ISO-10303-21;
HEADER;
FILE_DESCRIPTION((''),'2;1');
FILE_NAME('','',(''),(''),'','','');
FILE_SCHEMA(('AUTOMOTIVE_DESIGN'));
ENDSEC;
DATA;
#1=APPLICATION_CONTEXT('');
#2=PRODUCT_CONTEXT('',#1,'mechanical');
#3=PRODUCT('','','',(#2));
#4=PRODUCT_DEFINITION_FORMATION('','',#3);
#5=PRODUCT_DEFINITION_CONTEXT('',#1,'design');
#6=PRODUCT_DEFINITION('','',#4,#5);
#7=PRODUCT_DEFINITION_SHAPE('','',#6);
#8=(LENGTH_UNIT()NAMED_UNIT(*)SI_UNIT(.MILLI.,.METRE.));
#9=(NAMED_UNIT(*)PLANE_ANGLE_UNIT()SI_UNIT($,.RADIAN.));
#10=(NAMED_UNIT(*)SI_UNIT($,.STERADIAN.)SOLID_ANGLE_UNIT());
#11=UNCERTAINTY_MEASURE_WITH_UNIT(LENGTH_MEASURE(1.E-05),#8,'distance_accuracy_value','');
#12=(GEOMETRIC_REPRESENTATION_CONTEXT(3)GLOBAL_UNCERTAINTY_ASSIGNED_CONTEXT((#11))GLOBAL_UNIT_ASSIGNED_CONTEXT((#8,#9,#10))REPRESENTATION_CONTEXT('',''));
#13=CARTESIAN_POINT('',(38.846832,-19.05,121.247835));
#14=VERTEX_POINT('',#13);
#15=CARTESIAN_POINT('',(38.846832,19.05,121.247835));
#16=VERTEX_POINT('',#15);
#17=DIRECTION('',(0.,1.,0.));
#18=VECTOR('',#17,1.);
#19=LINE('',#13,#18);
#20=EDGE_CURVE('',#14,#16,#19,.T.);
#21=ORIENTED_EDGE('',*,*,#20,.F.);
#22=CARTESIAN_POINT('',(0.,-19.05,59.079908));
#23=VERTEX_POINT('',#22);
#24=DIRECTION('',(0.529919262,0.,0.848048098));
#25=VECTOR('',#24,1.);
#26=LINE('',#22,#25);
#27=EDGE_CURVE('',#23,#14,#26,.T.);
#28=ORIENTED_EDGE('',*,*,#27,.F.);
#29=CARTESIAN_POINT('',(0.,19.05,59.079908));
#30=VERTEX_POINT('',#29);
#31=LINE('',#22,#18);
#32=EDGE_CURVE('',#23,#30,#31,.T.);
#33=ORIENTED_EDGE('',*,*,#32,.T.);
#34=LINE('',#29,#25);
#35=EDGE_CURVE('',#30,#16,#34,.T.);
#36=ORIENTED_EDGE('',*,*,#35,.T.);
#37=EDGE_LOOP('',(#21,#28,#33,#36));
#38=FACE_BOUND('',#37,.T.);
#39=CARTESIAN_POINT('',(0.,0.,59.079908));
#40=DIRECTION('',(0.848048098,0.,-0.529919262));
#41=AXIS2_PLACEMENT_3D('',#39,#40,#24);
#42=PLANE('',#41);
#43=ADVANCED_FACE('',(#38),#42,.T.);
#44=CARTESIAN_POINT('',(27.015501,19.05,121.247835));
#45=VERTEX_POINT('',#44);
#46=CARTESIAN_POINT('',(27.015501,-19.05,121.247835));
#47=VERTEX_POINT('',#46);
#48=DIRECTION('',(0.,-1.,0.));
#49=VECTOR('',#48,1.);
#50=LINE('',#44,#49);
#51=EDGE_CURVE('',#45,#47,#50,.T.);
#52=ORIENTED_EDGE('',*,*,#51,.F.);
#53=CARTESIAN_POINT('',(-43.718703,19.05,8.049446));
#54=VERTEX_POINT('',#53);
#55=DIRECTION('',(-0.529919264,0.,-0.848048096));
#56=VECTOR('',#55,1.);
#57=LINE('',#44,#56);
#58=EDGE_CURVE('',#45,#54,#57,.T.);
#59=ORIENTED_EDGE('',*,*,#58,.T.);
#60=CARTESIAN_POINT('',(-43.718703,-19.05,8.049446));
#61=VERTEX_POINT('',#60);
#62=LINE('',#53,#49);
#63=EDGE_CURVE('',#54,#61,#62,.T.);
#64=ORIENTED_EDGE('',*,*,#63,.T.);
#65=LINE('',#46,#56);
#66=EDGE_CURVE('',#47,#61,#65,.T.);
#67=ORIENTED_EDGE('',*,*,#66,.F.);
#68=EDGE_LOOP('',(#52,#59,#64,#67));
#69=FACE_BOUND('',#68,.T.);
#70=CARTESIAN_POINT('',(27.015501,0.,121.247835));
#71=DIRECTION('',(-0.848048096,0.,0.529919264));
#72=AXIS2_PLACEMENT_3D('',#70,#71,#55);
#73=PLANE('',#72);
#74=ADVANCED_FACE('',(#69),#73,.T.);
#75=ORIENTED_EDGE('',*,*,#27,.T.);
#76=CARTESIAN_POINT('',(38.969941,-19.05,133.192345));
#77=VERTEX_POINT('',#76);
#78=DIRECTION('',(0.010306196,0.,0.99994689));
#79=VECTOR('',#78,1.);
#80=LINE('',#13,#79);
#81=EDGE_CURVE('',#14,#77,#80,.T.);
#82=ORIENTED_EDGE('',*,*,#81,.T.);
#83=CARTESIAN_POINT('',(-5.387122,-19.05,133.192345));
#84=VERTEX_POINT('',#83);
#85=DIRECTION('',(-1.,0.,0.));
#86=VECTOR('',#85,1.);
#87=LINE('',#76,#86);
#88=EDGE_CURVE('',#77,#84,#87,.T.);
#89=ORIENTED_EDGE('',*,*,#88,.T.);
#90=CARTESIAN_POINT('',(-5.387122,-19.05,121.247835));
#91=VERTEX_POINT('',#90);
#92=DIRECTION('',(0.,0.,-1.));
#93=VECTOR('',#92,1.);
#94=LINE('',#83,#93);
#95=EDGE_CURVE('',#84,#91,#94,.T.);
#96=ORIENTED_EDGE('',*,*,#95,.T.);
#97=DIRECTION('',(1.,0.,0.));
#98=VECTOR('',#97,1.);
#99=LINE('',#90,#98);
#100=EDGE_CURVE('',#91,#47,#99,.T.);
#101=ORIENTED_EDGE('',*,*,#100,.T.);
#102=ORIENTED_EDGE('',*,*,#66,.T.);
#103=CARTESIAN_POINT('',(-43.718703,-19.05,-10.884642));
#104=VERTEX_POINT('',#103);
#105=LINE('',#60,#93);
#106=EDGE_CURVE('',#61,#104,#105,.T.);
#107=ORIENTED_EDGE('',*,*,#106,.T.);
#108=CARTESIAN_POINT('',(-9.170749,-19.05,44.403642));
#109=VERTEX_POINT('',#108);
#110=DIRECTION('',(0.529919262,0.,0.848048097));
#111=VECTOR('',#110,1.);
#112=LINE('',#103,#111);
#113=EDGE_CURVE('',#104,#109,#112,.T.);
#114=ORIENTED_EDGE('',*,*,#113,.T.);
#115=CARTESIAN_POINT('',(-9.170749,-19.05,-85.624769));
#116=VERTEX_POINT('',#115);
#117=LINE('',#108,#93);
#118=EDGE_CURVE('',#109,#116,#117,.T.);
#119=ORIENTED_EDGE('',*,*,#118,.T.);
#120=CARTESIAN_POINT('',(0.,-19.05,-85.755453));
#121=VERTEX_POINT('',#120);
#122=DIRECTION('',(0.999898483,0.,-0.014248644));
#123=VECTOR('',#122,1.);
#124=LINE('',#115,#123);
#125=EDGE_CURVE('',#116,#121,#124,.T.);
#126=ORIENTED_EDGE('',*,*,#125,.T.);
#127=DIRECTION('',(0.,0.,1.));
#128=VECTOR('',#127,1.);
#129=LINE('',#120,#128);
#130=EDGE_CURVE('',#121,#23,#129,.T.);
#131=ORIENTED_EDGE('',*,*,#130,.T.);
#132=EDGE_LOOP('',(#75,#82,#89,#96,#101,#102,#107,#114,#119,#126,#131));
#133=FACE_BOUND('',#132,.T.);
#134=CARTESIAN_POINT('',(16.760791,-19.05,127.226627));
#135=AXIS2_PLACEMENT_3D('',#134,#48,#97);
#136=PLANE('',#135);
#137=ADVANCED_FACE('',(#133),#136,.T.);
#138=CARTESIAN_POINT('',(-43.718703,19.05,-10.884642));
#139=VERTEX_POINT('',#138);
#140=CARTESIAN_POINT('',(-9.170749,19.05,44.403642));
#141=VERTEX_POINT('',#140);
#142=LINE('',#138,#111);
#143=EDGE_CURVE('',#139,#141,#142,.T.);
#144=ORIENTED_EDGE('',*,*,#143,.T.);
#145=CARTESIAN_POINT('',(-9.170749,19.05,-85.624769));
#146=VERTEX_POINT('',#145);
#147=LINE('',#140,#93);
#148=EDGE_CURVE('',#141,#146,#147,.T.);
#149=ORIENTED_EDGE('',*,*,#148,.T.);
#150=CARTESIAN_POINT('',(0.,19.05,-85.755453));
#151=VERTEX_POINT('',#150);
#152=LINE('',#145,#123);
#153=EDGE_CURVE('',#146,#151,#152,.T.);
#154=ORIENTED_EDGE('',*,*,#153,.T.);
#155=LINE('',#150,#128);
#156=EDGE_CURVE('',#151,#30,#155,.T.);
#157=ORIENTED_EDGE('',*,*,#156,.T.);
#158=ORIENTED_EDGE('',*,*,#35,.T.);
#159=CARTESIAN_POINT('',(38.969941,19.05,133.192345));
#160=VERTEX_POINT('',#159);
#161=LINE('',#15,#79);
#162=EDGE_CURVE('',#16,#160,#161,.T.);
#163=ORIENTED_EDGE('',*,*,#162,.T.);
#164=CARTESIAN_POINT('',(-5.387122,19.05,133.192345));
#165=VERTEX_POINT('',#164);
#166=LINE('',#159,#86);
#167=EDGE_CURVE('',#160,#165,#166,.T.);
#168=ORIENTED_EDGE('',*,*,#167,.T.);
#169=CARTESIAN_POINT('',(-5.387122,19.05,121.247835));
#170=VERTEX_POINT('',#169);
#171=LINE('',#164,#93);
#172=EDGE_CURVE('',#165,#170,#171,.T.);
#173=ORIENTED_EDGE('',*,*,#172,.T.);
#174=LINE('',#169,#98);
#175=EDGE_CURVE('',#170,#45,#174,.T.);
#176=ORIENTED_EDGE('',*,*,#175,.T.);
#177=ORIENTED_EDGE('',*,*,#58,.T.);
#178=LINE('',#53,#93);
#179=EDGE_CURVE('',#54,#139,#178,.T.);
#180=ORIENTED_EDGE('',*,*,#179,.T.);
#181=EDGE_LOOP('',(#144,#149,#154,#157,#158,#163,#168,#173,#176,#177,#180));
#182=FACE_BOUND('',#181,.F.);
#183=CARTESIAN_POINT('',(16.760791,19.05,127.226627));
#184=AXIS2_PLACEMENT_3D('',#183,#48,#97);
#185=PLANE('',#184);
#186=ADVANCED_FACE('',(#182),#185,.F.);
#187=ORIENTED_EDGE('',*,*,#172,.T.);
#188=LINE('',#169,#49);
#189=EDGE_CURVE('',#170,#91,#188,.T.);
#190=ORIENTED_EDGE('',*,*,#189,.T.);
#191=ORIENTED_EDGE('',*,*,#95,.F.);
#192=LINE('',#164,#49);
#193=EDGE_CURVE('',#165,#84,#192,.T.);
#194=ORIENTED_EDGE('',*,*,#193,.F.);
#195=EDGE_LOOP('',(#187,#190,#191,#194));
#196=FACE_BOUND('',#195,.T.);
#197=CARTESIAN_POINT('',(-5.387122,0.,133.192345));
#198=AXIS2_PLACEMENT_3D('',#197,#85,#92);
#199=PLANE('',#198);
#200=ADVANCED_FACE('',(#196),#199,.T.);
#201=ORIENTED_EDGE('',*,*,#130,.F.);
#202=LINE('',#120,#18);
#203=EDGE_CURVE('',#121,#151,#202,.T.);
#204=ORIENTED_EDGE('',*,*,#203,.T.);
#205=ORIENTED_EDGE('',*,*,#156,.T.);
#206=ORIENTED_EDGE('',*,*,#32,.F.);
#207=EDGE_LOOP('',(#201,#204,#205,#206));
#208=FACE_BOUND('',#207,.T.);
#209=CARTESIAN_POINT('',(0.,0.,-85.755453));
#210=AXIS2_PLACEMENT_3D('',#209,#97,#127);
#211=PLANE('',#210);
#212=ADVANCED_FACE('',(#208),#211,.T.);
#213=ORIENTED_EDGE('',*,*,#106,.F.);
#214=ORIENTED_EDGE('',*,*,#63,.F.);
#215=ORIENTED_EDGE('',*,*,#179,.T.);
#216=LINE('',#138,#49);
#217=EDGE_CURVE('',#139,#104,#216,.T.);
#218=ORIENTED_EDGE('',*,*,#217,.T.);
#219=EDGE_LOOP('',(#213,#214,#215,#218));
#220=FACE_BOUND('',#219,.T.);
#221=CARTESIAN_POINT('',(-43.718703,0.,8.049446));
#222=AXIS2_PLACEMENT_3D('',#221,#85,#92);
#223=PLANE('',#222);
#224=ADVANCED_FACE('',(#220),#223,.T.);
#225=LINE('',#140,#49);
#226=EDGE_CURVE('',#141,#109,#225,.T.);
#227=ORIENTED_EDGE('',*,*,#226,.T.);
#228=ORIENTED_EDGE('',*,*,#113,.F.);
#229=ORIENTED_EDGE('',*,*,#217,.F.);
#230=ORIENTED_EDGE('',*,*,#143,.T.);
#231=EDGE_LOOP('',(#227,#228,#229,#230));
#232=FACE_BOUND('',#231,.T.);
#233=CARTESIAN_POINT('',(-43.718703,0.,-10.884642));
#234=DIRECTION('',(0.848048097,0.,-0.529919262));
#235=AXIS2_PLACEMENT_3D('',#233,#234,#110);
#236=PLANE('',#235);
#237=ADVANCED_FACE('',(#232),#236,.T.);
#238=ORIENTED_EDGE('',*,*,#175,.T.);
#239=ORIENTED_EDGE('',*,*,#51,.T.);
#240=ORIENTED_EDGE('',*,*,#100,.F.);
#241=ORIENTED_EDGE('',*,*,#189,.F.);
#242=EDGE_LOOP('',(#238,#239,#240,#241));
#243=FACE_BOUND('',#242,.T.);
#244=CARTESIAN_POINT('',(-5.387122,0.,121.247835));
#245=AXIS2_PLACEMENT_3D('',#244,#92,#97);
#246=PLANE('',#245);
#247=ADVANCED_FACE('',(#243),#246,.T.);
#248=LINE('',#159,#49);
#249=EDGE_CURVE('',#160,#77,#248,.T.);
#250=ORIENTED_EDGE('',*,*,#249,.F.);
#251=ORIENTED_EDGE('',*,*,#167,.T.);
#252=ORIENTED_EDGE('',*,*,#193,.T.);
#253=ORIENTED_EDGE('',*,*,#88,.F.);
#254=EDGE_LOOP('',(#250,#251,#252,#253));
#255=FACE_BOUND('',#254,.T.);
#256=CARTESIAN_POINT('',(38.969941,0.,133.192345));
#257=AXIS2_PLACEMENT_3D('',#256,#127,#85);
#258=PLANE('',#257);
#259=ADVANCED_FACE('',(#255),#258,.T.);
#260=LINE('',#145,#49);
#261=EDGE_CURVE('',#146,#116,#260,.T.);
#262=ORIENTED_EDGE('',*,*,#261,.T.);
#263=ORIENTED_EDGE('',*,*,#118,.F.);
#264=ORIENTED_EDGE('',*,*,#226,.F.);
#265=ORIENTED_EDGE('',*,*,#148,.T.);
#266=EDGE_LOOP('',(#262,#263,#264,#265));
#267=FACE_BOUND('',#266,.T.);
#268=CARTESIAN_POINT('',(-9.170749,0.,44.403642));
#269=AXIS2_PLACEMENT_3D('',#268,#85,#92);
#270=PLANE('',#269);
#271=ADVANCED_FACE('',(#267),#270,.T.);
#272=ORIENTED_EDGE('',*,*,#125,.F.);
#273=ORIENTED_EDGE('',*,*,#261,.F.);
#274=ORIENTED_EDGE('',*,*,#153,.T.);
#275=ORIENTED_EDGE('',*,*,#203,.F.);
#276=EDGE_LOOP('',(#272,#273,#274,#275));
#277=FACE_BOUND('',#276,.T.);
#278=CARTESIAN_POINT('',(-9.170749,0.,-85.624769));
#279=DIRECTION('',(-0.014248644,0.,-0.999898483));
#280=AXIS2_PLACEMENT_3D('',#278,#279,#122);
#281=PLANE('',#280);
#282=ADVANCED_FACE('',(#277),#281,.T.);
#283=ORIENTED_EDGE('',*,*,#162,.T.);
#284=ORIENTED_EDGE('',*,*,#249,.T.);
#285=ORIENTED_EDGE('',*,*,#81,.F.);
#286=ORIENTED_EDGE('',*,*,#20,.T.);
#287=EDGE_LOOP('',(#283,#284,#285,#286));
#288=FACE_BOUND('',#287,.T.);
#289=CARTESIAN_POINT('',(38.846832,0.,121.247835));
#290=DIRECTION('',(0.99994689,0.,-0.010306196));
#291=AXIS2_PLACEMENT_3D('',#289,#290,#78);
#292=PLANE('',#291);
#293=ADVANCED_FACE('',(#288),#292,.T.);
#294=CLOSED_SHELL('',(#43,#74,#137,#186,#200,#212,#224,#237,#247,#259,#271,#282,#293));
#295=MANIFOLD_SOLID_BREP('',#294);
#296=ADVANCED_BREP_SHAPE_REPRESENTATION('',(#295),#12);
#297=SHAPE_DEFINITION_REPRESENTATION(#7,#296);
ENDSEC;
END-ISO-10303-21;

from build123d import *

# Parameters (mm, degrees)
F1_DEPTH = 19.05


with BuildPart() as f1:
    # F0 (on Front) → F1 (new body, symmetric)
    with BuildSketch(Plane.XZ):
        Polygon((27.015501, 121.247835), (38.846832, 121.247835), (38.969941, 133.192345), (-5.387122, 133.192345), (-5.387122, 121.247835), align=None)
        Polygon((-9.170749, 44.403642), (0, 59.079908), (38.846832, 121.247835), (27.015501, 121.247835), (-43.718703, 8.049446), (-43.718703, -10.884642), align=None)
        Polygon((0, -85.755453), (0, 59.079908), (-9.170749, 44.403642), (-9.170749, -85.624769), align=None)
    extrude(amount=F1_DEPTH, both=True)


solid = f1.part
